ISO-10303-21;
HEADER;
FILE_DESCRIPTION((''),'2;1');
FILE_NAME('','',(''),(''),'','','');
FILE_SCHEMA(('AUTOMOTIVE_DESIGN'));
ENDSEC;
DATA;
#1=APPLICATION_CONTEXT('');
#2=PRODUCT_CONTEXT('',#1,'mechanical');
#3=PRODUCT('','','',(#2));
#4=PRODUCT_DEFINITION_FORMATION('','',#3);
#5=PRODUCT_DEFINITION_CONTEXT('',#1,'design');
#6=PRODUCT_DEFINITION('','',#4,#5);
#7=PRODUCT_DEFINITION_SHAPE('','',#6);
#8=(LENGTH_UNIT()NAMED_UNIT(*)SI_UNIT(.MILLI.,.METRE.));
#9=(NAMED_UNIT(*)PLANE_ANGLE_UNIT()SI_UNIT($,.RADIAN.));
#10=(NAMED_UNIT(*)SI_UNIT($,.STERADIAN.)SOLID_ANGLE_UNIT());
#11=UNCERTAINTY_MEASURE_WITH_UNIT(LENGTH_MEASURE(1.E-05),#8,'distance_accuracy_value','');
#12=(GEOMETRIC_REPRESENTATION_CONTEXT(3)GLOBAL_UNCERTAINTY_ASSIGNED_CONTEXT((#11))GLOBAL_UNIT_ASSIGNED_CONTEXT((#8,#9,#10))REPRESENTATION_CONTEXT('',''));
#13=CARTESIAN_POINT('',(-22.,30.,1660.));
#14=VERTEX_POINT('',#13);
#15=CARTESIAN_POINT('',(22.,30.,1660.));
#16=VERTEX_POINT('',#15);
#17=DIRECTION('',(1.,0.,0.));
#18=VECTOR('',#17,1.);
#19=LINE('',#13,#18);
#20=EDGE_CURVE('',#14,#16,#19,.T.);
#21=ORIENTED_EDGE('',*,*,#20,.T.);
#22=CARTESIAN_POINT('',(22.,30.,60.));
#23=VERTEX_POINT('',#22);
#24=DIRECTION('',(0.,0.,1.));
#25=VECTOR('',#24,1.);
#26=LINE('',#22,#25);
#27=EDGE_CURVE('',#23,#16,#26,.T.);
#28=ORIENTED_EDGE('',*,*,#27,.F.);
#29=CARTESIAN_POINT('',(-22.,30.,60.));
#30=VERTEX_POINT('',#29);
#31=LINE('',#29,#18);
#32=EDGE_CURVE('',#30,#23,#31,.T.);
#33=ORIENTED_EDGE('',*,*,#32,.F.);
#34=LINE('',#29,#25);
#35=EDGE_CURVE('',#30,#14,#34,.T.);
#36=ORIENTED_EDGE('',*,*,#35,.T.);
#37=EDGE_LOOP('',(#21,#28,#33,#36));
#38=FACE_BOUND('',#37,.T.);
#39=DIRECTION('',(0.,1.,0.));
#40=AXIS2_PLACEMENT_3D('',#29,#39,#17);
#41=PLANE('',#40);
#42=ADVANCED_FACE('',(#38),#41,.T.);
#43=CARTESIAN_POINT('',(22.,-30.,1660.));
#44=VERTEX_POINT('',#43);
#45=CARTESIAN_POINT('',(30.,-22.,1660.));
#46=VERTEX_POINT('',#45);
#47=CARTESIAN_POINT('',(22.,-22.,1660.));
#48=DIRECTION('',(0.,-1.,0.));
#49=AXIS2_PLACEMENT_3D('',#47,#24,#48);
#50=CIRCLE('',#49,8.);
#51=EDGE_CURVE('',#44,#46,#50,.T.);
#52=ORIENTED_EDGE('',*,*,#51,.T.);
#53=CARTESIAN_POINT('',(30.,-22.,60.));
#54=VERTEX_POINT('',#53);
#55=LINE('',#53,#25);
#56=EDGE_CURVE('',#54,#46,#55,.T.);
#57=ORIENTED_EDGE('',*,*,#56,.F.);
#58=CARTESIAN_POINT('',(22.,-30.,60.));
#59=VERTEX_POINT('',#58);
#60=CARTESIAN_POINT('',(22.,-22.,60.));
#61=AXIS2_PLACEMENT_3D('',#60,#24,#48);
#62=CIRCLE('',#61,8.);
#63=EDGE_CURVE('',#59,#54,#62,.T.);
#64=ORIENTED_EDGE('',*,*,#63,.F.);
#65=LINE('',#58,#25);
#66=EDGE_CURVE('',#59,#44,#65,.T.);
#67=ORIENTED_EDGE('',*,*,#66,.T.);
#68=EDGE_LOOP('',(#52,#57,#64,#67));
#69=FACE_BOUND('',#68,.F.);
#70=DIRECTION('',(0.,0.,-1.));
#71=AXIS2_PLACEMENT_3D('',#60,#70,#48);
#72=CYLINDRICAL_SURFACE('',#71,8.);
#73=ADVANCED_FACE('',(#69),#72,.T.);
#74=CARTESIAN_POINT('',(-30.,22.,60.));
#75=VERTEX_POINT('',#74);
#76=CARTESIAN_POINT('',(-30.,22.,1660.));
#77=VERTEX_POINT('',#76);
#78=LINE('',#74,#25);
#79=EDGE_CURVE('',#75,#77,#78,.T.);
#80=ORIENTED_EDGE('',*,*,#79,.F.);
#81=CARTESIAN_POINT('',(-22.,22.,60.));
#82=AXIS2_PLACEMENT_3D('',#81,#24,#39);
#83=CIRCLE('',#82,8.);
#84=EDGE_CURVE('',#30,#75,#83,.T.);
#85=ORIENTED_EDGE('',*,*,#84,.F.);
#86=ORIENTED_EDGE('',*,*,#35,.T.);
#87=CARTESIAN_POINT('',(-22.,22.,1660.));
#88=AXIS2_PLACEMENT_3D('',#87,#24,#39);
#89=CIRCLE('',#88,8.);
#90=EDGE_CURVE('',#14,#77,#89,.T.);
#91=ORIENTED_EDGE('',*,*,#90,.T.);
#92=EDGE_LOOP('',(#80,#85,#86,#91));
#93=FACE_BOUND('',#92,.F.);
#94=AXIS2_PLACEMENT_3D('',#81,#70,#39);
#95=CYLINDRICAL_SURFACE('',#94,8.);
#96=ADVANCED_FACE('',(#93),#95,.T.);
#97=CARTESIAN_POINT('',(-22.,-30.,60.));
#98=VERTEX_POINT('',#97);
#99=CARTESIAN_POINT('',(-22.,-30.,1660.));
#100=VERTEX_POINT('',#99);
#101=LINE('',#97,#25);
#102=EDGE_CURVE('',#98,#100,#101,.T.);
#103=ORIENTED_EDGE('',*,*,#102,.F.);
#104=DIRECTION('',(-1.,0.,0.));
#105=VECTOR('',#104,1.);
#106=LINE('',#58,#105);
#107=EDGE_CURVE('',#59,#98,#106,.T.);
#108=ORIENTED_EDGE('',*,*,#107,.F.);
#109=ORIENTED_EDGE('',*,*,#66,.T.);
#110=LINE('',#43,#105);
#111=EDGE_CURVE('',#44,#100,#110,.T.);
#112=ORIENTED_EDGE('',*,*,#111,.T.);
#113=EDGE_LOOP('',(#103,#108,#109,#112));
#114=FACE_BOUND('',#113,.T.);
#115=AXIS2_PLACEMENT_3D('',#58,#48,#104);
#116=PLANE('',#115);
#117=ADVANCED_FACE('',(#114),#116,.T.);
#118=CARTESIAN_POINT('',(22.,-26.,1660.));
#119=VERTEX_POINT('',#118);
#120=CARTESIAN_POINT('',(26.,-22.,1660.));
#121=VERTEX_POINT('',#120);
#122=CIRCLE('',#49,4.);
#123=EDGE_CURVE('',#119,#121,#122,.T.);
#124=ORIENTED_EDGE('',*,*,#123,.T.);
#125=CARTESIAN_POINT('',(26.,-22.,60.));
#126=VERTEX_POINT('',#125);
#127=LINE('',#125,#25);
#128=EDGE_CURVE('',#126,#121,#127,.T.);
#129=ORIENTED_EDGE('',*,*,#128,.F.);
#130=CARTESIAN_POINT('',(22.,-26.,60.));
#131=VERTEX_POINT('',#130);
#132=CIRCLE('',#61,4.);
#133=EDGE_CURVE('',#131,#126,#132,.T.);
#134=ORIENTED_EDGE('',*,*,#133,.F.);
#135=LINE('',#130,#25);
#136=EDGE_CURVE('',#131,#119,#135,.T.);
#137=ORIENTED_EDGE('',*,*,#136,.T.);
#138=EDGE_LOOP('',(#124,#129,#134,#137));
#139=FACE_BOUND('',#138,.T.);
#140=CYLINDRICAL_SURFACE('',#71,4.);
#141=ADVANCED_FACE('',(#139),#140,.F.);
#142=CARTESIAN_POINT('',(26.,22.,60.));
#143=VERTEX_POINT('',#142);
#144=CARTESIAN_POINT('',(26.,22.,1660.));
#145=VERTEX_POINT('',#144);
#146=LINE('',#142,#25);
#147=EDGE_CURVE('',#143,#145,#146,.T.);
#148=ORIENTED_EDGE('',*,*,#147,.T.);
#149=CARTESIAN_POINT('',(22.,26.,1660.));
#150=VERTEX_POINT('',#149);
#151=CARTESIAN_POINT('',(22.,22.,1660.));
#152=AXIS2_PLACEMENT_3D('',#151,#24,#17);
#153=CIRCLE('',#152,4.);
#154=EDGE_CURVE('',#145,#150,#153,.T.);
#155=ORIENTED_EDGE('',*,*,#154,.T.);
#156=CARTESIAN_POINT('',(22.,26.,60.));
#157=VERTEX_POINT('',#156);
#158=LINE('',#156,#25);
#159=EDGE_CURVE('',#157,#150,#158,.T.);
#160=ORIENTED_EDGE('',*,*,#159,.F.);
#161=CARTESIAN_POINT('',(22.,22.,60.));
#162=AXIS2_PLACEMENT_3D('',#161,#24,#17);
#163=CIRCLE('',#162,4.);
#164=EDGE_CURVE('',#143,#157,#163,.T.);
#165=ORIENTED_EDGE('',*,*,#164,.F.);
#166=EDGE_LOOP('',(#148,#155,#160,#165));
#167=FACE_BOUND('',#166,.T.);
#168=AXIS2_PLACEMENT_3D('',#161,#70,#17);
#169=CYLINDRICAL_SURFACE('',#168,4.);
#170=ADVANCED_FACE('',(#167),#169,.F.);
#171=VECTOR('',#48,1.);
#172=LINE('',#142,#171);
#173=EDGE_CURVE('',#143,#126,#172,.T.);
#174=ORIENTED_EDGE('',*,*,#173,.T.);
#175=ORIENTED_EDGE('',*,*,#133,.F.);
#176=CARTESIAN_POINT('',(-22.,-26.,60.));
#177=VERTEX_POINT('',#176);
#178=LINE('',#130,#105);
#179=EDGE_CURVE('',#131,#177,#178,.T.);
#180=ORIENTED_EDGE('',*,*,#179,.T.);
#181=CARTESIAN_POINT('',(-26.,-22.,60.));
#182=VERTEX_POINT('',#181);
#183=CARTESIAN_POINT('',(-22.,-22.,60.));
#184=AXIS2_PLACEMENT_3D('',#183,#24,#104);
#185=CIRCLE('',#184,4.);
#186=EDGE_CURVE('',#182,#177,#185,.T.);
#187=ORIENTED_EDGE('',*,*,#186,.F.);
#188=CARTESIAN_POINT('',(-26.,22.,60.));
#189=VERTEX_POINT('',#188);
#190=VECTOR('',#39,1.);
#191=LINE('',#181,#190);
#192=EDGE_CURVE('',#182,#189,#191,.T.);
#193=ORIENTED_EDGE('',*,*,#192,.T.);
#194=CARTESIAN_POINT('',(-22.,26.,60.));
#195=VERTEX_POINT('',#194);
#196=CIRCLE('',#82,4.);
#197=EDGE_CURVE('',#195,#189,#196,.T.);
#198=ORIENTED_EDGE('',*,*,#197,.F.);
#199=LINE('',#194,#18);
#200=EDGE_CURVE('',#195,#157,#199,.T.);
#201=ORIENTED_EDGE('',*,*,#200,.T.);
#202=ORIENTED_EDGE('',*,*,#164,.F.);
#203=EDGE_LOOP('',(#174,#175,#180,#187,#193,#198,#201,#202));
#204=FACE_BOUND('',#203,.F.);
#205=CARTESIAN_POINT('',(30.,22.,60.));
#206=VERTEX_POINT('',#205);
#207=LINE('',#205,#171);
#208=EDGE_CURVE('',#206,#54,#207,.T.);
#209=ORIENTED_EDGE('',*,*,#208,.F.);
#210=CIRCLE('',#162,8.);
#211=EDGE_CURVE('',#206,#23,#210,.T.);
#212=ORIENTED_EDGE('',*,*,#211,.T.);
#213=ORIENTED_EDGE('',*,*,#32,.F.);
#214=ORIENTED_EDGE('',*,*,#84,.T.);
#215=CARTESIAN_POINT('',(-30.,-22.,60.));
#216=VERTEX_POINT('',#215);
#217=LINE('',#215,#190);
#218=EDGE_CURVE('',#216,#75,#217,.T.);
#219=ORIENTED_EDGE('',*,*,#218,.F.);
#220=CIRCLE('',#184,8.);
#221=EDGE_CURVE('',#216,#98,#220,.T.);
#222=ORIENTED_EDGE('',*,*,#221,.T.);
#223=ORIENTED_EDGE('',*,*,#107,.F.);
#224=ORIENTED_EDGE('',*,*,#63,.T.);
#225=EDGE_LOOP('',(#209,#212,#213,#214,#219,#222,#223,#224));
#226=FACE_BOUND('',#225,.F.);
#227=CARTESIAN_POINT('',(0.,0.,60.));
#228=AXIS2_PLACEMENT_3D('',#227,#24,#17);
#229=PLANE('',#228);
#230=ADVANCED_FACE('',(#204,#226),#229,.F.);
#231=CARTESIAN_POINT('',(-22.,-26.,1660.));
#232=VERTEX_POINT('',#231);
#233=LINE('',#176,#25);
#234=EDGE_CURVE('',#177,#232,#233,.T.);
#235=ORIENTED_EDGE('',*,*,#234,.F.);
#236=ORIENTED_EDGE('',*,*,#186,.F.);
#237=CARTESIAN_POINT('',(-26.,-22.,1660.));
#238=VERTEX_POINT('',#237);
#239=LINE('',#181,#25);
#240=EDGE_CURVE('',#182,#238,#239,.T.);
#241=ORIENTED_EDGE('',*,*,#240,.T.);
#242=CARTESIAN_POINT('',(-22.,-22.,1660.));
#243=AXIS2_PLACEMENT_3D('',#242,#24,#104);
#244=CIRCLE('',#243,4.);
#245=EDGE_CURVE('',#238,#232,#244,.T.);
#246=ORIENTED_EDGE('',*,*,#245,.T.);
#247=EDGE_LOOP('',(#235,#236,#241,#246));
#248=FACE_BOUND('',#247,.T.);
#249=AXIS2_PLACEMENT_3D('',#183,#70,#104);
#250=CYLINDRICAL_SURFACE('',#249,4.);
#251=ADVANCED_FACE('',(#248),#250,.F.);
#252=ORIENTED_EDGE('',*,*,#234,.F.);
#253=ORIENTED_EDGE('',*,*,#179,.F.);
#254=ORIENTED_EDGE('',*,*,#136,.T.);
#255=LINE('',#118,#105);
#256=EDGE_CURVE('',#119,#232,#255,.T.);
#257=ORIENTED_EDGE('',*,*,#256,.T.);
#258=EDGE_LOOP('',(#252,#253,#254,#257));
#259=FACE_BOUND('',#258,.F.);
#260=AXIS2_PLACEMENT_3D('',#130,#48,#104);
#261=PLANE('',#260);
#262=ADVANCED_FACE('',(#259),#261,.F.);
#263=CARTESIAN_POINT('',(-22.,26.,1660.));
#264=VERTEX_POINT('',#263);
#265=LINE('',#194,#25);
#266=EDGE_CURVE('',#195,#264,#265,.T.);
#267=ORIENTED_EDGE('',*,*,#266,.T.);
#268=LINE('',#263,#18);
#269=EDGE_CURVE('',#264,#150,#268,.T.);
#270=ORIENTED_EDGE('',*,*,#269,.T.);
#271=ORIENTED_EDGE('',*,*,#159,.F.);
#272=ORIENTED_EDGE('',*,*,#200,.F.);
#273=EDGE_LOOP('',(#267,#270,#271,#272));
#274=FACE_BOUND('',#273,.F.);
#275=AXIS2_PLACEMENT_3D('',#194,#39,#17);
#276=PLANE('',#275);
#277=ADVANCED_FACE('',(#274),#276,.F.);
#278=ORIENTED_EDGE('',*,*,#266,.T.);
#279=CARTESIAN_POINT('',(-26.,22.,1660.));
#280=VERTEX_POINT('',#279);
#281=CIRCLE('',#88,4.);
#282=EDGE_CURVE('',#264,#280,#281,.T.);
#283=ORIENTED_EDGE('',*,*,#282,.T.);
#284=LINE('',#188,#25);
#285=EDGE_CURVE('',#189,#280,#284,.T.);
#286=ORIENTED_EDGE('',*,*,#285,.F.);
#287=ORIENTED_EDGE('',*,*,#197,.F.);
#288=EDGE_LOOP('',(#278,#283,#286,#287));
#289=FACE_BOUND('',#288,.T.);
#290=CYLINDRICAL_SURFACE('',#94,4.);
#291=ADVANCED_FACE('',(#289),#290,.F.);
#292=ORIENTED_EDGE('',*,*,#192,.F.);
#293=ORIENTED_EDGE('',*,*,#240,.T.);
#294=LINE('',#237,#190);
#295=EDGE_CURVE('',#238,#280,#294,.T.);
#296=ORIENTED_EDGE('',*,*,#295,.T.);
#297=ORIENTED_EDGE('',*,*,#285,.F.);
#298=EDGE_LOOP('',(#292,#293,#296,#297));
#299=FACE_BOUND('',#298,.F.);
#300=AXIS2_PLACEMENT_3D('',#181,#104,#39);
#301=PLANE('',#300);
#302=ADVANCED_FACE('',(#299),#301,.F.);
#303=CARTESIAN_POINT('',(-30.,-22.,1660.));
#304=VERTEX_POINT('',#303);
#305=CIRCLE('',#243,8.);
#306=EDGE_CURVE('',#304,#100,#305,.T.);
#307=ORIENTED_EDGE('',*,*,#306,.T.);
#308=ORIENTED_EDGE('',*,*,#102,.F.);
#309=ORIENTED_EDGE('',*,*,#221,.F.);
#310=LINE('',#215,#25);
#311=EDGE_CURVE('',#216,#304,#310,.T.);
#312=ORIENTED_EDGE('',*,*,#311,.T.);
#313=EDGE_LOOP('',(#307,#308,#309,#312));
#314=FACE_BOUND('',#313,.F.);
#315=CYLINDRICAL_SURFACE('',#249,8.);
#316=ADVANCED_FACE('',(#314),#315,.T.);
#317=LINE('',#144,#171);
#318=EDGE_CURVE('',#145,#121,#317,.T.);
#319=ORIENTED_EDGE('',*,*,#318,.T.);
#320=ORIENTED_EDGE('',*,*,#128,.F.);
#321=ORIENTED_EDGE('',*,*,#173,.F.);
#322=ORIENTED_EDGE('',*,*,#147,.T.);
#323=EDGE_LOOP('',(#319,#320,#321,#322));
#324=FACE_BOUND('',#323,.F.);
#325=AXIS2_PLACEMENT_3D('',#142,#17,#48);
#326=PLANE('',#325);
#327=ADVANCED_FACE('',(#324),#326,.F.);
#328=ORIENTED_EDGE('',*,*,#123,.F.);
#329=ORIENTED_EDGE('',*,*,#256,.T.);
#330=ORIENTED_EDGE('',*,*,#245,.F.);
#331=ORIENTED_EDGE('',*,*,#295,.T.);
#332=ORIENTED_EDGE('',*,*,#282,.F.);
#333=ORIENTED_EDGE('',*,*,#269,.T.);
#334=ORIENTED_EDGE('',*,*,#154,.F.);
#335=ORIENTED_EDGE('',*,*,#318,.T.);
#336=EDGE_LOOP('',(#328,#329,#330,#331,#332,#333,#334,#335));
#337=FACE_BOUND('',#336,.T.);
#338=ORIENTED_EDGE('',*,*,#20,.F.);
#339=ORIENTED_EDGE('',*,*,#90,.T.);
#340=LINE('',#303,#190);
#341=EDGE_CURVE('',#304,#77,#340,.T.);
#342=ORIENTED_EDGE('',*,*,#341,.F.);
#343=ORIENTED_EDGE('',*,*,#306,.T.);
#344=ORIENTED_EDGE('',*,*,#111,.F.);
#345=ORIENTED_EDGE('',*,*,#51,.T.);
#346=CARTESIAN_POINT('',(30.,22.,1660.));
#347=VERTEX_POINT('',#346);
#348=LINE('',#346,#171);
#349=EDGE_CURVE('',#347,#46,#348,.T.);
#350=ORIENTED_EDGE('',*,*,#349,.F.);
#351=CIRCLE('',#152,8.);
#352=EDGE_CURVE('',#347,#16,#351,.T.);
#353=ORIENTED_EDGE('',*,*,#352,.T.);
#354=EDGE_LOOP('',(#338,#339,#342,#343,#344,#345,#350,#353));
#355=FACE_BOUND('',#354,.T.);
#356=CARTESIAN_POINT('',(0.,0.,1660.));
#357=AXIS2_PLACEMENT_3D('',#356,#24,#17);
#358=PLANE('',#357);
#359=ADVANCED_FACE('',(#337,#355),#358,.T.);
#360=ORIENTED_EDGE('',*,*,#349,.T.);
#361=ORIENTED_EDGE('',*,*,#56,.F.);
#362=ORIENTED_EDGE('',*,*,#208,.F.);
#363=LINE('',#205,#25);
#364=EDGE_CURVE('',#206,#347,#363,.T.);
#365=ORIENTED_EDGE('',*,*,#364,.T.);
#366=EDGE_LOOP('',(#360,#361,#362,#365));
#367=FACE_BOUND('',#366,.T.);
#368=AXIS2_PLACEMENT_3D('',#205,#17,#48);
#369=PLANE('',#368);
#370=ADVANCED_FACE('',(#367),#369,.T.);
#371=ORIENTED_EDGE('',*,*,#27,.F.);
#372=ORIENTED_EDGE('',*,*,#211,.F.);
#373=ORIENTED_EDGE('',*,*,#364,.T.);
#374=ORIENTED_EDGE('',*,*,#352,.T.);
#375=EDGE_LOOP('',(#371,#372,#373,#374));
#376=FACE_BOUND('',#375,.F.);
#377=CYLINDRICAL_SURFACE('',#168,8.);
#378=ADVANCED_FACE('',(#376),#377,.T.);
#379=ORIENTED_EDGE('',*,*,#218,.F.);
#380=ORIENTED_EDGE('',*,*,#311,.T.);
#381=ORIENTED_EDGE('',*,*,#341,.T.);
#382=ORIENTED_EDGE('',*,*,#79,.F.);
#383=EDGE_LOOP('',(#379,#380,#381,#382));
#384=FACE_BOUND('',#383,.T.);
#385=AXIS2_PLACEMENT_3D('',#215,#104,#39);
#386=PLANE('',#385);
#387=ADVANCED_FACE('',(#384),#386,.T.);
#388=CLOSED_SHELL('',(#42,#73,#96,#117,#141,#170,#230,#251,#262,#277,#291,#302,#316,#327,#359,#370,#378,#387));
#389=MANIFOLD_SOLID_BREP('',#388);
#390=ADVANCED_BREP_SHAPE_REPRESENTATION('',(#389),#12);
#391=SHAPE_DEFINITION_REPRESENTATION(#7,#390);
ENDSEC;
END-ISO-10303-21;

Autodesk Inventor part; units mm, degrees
ref_plane "Start Plane" through (0, 0, 60) normal (0, 0, 1) x (1, 0, 0)
ref_plane "End Plane" through (0, 0, 1660) normal (0, 0, 1) x (1, 0, 0)
sketch "Sketch" plane through (0, 0, 0) normal (0, 0, 1) x (1, 0, 0)
  line L0 (-30, -22) -> (-30, 22)
  line L1 (-22, 30) -> (22, 30)
  line L2 (30, 22) -> (30, -22)
  line L3 (22, -30) -> (-22, -30)
  arc A0 (-30, -22) -> (-22, -30) centre (-22, -22) ccw
  arc A1 (30, 22) -> (22, 30) centre (22, 22) ccw
  arc A2 (-22, 30) -> (-30, 22) centre (-22, 22) ccw
  arc A3 (22, -30) -> (30, -22) centre (22, -22) ccw
  arc A4 (-22, 26) -> (-26, 22) centre (-22, 22) ccw
  line L4 (-22, 26) -> (22, 26)
  arc A5 (26, 22) -> (22, 26) centre (22, 22) ccw
  line L5 (26, 22) -> (26, -22)
  arc A6 (22, -26) -> (26, -22) centre (22, -22) ccw
  line L6 (22, -26) -> (-22, -26)
  arc A7 (-26, -22) -> (-22, -26) centre (-22, -22) ccw
  line L7 (-26, -22) -> (-26, 22)
  line L8 (0, 44.3196) -> (0, -44.3196) construction
  line L9 (-44.3196, 0) -> (44.3196, 0) construction
  dimension "d7" = 8
  dimension "d9" = 60
  dimension "d11" = 60
  dimension "d12" = 4
  dimension "d15" = 30
  dimension "d16" = 30
extrude "Body" add sketch "Sketch" along normal up to surface (1600 mm away) from surface at 60
sketch "Sketch3" plane through (0, 0, 0) normal (0, 0, 1) x (1, 0, 0)
  line L0 (0, 0) -> (10, 0)
ref_plane "Work Plane3" through (0, 0, 0) normal (0, -1, 0) x (1, 0, 0)
ref_plane "Work Plane4" through (-22, 30, 60) normal (0, 0, -1) x (-1, 0, 0)
split "Split1" plane through (-22, 30, 60) removes the side toward (0, 0, -1)
ref_plane "Work Plane5" through (22, 30, 1660) normal (0, 0, 1) x (1, 0, 0)
split "Split2" plane through (22, 30, 1660) removes the side toward (0, 0, 1)
sketch "Sketch4" plane through (0, 0, 0) normal (0, -1, 0) x (1, 0, 0)
  line L0 (-2, 60) -> (12, 60) projected
  line L1 (-2, 1660) -> (12, 1660) projected
  dimension "d18" = 1600
equation "\"d7\" = G_IR"
equation "\"d9\" = G_W"
equation "\"d11\" = G_H"
equation "\"d12\" = G_T"
equation "\"d15\" = 0.5 * d9"
equation "\"d16\" = 0.5 * d11"
equation "\"d3\" = G_L"
equation "\"G_W\" = 60"
equation "\"G_H\" = 60"
equation "\"G_T\" = 4"
equation "\"G_IR\" = 8"
equation "\"G_L\" = d18"
properties part number "ISO 4019 - 60x60x4 - 1600" material "Steel, Mild"
